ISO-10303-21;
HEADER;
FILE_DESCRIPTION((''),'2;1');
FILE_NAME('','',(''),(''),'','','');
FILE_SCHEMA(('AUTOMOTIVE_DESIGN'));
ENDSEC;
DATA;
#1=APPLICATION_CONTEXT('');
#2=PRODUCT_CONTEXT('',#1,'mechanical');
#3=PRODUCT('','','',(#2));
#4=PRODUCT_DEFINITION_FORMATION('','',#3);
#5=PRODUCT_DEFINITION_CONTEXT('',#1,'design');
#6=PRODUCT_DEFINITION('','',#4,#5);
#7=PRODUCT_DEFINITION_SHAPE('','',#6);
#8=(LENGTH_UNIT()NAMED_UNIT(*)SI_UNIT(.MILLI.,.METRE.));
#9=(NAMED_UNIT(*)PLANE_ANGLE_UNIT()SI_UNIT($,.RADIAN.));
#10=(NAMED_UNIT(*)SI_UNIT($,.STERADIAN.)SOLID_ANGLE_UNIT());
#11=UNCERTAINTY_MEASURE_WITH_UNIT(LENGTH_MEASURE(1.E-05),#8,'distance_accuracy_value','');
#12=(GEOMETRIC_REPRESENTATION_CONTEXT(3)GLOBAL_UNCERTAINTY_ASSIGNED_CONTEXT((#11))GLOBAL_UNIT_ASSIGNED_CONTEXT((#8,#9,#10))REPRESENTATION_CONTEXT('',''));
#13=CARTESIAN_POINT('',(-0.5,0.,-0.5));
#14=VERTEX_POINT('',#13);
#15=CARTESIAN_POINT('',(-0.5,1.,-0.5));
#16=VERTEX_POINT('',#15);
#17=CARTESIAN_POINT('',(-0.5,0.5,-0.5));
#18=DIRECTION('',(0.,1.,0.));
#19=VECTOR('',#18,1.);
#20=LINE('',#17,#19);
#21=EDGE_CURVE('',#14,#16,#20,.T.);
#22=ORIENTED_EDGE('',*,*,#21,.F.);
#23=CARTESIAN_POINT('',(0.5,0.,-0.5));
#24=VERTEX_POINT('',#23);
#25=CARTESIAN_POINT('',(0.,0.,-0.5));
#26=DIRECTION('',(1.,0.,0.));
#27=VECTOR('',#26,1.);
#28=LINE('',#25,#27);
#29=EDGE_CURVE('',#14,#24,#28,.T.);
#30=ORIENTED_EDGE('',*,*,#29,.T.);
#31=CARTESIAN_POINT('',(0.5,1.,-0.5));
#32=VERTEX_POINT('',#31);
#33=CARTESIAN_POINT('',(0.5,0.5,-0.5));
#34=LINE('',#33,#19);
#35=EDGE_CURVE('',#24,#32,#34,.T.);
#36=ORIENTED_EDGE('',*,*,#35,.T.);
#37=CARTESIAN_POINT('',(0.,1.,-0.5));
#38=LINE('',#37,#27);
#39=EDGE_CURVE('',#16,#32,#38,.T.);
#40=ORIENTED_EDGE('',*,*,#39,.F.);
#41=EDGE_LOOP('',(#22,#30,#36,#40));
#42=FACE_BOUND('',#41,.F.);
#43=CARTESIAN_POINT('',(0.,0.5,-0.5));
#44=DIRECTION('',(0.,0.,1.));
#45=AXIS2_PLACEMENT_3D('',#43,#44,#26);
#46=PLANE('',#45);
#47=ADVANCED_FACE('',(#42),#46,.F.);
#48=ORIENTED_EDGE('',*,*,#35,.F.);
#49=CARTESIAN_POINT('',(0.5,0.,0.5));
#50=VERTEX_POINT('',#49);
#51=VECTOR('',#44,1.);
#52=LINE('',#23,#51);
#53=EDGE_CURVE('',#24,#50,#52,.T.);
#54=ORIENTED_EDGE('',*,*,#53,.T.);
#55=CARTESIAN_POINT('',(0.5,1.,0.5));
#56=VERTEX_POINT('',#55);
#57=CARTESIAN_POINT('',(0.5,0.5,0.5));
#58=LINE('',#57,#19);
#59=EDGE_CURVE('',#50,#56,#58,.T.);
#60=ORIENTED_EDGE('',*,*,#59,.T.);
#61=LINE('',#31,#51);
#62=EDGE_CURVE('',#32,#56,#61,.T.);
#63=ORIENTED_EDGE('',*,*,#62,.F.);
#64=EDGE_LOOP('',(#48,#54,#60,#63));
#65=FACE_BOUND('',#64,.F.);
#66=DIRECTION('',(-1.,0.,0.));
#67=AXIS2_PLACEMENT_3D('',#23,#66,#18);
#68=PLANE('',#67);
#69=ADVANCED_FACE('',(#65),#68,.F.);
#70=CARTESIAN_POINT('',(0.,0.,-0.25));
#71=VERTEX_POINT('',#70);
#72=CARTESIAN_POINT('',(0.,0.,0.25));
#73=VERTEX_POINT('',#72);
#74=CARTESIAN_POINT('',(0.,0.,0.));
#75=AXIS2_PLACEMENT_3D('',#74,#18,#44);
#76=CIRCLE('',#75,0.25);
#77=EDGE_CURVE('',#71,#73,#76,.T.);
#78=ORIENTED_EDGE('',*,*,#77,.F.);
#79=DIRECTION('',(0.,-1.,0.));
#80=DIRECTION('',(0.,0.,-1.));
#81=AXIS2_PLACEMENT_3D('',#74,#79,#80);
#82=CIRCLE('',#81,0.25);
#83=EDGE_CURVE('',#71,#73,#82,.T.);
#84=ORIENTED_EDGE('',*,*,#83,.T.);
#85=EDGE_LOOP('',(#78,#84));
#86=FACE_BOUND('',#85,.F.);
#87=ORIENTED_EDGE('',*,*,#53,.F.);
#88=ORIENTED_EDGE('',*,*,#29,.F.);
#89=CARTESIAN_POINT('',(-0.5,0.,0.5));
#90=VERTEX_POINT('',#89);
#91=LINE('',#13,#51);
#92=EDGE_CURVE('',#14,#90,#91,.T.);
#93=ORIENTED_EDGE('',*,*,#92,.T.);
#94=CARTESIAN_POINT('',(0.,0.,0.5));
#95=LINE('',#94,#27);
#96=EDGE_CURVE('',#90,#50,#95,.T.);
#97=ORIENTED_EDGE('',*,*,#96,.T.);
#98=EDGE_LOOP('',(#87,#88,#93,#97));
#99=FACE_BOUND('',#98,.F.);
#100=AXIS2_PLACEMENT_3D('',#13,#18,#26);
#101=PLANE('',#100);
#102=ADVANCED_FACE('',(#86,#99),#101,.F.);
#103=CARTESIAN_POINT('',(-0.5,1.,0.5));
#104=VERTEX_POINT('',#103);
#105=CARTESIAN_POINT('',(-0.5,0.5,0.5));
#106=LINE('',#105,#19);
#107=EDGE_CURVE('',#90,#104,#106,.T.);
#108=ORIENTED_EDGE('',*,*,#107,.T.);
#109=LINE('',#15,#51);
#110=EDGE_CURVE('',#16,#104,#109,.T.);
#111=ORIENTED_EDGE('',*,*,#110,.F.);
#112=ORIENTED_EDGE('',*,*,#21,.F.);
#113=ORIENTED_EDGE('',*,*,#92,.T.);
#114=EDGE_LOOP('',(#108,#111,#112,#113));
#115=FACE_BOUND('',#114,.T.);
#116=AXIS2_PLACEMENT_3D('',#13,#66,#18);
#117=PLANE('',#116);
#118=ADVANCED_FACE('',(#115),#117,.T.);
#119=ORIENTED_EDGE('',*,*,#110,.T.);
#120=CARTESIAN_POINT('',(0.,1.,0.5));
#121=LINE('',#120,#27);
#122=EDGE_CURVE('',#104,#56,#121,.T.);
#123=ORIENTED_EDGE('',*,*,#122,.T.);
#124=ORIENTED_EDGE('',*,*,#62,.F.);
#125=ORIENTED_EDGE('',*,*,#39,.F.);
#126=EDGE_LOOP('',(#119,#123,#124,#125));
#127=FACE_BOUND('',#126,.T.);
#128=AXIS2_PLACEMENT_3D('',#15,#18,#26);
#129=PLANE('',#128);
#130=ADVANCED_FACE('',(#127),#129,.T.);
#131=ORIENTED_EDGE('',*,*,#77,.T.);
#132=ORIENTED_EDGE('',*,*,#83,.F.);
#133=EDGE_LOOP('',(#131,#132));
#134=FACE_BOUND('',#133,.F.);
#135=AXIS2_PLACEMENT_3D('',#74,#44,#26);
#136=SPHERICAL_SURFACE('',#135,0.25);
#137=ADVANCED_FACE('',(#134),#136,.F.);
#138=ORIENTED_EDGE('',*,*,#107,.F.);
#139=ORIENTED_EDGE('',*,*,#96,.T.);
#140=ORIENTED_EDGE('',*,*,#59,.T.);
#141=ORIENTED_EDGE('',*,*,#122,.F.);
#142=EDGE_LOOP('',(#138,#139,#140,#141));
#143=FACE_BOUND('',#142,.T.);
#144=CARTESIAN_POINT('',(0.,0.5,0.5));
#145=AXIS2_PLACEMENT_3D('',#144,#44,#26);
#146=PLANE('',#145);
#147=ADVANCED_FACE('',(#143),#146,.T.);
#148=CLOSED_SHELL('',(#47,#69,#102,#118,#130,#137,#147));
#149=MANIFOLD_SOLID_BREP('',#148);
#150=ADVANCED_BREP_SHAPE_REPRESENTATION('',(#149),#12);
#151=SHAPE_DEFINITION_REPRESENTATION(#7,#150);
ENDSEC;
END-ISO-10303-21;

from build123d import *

# Parameters (mm, degrees)
BOX001_W     = 1
BOX001_H     = 1
BOX001_DEPTH = 1


with BuildPart() as sphere001:
    # Sphere001 → Sphere001 (revolve)
    with BuildSketch(Plane.XZ):
        with BuildLine():
            ThreePointArc((0, -0.25), (0.25, 0), (0, 0.25))
            Line((0, 0.25), (0, -0.25))
        make_face()
    revolve(axis=Axis((0, 0, 0), (0, 0, 1)))


with BuildPart() as cut001:
    # Box001 → Box001 (new body)
    with BuildSketch(Plane(origin=(-0.5, 0, -0.5), x_dir=(1, 0, 0), z_dir=(0, 0, 1))):
        with Locations((0.5, 0.5)):
            Rectangle(BOX001_W, BOX001_H)
    extrude(amount=BOX001_DEPTH)

    # Cut001: cut Sphere001
    add(sphere001.part, mode=Mode.SUBTRACT)


solid = cut001.part
